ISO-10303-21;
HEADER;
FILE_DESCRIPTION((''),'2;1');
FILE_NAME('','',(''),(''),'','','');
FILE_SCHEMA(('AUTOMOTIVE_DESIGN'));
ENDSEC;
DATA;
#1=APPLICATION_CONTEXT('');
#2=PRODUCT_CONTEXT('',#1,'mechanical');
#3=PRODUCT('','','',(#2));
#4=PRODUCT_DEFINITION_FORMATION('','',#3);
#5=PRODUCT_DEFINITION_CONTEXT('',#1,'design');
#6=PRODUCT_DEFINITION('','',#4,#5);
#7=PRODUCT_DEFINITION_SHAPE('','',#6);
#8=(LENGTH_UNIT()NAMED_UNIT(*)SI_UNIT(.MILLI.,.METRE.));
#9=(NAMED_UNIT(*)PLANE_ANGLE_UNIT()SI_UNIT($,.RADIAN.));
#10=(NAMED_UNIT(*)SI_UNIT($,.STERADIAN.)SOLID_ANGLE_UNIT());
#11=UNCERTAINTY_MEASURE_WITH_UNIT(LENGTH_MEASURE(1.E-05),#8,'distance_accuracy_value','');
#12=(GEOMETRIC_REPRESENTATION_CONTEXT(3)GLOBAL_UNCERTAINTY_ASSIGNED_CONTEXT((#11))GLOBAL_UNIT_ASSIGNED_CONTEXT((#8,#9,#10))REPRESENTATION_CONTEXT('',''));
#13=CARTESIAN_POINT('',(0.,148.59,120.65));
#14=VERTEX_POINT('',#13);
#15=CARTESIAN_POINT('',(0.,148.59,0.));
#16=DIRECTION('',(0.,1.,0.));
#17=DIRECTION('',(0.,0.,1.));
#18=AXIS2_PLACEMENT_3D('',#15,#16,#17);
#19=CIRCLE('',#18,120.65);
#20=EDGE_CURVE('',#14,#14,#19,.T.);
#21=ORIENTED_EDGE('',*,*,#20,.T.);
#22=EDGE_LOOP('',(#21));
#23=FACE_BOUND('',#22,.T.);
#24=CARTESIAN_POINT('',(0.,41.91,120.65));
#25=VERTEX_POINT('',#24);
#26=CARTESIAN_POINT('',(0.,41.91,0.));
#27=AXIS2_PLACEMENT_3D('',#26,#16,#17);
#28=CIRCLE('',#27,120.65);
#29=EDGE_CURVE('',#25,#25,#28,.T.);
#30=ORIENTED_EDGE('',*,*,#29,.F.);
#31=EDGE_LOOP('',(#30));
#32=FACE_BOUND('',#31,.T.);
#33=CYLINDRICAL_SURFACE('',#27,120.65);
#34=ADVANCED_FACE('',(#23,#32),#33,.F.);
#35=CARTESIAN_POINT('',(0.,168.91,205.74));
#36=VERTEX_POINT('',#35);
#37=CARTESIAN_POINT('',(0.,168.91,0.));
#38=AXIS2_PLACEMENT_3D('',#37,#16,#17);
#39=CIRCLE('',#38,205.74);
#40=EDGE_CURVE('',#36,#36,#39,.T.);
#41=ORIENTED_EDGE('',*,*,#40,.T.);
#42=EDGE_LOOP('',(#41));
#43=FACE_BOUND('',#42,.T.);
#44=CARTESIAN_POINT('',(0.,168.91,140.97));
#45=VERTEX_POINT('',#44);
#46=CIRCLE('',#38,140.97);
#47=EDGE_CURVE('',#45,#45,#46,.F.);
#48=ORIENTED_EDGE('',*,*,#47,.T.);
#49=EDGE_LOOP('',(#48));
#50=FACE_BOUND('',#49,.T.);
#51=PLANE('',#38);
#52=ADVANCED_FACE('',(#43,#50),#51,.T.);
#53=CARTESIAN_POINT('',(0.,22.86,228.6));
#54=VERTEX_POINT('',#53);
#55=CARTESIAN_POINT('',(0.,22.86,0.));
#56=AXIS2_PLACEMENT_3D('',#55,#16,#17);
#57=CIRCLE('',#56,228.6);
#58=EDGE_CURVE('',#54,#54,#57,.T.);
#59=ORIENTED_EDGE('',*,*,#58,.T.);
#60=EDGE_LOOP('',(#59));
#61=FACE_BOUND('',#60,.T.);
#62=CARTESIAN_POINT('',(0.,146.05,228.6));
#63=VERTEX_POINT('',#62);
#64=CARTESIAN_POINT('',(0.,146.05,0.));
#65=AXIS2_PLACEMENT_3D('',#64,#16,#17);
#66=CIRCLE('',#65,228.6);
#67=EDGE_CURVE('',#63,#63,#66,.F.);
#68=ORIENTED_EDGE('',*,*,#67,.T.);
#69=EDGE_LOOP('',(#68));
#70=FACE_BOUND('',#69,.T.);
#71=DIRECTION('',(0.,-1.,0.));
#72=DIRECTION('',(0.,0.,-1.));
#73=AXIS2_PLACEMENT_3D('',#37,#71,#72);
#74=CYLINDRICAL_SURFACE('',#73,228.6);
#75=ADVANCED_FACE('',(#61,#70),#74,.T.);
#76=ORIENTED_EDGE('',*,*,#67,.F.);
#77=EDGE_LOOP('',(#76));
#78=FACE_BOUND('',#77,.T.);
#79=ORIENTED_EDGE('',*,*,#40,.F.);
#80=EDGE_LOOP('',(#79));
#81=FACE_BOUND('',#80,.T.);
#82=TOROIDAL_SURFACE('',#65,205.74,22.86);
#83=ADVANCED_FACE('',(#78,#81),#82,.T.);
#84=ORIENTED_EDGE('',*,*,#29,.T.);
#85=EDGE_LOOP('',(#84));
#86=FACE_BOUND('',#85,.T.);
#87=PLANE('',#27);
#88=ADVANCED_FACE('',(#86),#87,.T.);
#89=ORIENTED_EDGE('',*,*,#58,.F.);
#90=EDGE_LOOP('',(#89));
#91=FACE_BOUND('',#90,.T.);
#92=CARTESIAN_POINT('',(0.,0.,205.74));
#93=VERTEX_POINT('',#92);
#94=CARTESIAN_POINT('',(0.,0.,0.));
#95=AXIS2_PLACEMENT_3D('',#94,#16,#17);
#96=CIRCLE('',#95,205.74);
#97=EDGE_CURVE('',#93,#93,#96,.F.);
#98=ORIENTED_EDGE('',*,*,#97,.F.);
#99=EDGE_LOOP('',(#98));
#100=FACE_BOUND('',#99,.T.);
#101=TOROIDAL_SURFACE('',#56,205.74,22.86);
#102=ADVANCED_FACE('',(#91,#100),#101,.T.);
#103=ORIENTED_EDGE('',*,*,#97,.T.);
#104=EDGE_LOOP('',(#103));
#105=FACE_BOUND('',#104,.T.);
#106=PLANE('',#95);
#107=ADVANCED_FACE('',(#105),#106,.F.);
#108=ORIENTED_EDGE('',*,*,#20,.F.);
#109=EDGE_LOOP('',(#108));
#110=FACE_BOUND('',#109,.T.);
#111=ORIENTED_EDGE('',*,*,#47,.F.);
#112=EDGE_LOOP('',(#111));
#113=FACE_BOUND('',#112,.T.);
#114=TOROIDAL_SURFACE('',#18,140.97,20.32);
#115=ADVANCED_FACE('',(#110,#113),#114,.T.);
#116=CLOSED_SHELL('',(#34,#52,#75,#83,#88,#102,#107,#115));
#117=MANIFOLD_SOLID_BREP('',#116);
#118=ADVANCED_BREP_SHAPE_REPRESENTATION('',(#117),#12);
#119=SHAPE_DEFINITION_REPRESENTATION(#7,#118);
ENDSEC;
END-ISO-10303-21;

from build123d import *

# Parameters (mm, degrees)
SKETCH1_R           = 228.6
BOSS_EXTRUDE1_DEPTH = 168.91
FILLET1_R           = 22.86
SKETCH2_R           = 120.65
CUT_EXTRUDE1_DEPTH  = 127
FILLET2_R           = 20.32


with BuildPart() as part:
    # Sketch1 → Boss-Extrude1 (new body)
    with BuildSketch(Plane(origin=(0, 0, 0), x_dir=(1, 0, 0), z_dir=(0, 1, 0))):
        with Locations(Location((0, 0, 0), (0, 0, 270))):
            Circle(SKETCH1_R)
    extrude(amount=BOSS_EXTRUDE1_DEPTH)

    # Fillet1
    fillet1_edges = [part.edges().sort_by_distance(p)[0] for p in [
        (0, 0, -228.6),
        (0, 168.91, -228.6),
    ]]
    fillet(fillet1_edges, radius=FILLET1_R)

    # Sketch2 → Cut-Extrude1 (cut)
    with BuildSketch(Plane(origin=(0, 168.91, 0), x_dir=(1, 0, 0), z_dir=(0, 1, 0))):
        with Locations(Location((0, 0, 0), (0, 0, 270))):
            Circle(SKETCH2_R)
    extrude(amount=-CUT_EXTRUDE1_DEPTH, mode=Mode.SUBTRACT)

    # Fillet2
    fillet2_edges = [part.edges().sort_by_distance(p)[0] for p in [
        (0, 168.91, -120.65),
    ]]
    fillet(fillet2_edges, radius=FILLET2_R)


solid = part.part
